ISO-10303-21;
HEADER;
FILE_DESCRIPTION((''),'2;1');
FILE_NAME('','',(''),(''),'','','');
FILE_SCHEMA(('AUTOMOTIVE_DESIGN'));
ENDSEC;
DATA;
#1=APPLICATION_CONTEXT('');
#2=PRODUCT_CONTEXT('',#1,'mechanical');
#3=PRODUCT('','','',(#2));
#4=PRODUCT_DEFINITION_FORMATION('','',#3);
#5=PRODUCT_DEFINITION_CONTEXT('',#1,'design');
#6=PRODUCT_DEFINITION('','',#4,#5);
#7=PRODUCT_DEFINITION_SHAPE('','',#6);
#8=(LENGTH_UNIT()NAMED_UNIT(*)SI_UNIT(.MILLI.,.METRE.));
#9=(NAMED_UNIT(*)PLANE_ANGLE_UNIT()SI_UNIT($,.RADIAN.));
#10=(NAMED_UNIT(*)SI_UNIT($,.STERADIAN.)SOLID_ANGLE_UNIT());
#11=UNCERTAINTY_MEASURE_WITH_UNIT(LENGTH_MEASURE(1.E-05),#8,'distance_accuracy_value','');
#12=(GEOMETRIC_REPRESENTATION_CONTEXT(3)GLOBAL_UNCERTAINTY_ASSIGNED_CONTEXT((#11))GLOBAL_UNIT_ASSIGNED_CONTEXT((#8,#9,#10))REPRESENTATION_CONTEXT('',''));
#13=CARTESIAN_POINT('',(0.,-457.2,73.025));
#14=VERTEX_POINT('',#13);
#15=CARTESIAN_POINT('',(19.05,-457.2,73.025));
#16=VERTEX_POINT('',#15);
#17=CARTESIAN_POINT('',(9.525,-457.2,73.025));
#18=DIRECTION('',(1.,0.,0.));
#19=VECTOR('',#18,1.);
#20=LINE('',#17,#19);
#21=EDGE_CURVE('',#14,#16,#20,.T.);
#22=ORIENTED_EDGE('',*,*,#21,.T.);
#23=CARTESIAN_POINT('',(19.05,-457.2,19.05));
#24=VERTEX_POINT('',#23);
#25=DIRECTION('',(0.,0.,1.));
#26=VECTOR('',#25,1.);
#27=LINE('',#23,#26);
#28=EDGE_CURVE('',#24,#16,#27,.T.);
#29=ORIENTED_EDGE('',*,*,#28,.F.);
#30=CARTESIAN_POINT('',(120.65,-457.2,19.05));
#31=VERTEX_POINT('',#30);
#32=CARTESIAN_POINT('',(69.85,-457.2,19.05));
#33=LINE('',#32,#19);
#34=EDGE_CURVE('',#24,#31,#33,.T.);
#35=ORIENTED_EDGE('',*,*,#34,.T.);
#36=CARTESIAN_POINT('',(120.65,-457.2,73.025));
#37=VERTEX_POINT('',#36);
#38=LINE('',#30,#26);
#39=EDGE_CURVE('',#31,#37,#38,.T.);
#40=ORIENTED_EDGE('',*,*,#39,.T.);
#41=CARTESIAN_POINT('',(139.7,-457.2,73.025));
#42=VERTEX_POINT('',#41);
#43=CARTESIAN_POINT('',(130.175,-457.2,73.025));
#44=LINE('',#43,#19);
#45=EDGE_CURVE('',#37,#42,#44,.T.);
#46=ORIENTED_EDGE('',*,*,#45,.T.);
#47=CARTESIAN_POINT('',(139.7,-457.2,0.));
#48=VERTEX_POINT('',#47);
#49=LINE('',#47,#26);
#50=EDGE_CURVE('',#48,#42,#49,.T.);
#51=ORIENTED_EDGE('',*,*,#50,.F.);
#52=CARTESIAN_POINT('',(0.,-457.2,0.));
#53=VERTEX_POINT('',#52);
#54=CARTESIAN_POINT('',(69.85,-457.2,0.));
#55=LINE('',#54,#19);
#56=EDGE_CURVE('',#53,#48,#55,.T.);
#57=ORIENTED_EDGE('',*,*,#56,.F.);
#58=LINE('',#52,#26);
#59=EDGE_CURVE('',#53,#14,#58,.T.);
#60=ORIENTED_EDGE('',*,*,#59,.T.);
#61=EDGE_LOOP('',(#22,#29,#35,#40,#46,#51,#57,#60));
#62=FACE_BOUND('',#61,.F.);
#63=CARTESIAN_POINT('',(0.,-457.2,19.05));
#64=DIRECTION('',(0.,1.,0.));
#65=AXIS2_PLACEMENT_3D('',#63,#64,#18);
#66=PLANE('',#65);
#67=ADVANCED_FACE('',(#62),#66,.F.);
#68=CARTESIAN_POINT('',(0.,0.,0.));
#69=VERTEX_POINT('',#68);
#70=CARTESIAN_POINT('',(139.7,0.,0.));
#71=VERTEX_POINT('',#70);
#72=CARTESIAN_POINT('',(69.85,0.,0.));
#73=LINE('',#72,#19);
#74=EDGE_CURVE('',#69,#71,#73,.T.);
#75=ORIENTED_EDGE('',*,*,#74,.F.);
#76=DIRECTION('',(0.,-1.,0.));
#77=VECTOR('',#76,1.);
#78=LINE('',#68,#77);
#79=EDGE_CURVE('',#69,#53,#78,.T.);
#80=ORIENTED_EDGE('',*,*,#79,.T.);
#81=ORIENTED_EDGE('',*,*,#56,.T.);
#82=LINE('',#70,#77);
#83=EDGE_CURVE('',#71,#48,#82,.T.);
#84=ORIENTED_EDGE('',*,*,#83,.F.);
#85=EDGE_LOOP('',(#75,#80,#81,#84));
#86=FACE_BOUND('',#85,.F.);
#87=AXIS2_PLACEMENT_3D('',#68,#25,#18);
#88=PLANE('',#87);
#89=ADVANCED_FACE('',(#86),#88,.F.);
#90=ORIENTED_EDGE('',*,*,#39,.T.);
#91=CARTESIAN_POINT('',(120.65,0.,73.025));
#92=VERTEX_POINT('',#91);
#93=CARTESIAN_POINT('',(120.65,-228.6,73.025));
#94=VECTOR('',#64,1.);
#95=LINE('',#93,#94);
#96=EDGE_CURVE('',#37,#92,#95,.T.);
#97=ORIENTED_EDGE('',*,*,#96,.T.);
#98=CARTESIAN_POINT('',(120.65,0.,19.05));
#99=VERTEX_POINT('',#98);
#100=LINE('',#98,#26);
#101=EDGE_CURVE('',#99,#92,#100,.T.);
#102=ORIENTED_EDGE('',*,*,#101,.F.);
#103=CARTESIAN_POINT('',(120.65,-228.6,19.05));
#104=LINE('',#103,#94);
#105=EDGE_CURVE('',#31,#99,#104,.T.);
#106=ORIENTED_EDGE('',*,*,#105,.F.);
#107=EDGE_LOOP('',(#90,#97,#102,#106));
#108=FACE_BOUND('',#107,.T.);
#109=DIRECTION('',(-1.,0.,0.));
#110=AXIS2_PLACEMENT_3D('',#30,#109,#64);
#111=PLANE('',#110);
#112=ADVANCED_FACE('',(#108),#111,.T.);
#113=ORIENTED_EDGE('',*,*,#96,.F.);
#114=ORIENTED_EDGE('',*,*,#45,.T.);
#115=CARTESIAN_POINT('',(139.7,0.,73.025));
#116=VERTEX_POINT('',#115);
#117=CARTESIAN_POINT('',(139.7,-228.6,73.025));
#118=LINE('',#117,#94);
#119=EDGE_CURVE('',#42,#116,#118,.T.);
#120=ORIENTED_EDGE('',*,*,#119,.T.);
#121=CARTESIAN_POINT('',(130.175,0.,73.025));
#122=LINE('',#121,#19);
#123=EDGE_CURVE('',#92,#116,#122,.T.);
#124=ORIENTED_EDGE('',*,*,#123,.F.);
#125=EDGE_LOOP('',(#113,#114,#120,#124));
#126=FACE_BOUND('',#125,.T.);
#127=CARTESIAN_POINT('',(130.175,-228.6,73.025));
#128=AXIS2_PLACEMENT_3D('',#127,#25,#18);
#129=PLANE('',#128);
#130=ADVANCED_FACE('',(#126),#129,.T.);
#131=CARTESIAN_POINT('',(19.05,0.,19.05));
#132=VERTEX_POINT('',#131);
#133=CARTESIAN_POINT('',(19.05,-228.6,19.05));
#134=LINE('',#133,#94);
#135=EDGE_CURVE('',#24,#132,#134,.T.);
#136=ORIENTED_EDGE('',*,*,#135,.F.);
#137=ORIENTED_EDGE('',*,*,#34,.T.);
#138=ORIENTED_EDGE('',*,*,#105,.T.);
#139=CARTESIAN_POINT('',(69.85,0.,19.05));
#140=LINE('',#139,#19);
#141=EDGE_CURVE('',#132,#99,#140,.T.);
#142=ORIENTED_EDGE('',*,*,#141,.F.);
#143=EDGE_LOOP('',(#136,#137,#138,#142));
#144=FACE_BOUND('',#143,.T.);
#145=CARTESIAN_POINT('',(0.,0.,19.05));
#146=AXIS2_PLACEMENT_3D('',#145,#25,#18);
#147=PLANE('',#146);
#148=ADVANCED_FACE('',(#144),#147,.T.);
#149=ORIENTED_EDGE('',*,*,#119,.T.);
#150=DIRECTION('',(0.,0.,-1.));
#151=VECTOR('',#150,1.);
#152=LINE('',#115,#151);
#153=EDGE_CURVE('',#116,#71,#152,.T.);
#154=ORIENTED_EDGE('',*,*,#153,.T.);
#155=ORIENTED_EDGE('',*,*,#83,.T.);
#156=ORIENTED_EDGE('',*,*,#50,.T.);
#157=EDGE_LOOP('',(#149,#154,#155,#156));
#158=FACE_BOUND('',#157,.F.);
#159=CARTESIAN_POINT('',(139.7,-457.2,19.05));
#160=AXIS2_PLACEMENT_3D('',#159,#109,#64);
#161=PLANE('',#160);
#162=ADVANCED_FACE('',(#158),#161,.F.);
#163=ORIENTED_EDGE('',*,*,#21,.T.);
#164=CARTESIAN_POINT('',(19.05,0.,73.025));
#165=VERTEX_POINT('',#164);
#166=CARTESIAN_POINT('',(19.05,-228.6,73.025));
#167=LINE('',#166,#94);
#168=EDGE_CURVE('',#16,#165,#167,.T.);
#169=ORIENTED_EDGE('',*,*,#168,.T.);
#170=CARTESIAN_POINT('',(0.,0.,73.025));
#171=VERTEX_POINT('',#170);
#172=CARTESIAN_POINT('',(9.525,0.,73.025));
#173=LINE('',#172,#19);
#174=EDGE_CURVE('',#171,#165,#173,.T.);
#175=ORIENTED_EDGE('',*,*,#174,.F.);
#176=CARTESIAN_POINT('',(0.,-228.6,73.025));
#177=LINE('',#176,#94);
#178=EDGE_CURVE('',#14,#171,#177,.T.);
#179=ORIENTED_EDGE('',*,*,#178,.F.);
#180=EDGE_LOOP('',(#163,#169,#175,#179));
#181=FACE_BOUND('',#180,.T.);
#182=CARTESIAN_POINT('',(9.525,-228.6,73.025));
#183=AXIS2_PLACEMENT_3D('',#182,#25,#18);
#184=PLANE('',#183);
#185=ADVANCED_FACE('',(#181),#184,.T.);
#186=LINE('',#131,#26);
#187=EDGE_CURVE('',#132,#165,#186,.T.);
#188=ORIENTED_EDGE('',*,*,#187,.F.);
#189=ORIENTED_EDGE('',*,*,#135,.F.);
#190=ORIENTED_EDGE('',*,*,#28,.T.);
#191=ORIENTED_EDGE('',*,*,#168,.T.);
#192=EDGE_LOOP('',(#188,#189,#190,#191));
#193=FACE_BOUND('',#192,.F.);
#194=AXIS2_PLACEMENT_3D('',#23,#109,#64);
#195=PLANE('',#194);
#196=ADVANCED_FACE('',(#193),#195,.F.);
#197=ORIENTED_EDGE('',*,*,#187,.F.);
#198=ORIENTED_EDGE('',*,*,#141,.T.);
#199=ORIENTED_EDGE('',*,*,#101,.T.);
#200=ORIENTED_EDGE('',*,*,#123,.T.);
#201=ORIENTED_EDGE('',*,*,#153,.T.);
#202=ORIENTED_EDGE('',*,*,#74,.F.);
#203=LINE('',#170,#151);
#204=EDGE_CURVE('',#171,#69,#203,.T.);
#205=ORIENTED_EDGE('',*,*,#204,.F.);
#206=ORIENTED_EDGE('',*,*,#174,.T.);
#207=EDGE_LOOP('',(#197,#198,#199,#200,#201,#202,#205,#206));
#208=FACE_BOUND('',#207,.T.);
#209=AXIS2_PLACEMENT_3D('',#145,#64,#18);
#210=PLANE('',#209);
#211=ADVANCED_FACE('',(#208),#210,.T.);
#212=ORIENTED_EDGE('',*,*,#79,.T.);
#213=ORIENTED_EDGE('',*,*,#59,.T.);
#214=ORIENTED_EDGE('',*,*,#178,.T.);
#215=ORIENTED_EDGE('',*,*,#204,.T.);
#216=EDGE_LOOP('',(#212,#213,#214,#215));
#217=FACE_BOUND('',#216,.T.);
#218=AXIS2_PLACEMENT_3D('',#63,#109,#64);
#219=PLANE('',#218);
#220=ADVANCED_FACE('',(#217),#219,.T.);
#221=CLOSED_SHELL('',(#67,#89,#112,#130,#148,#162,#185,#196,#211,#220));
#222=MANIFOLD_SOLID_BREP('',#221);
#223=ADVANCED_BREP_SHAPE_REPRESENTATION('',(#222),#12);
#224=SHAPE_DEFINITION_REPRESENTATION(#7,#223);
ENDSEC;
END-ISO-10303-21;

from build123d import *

# Parameters (mm, degrees)
F0_W     = 139.7
F0_H     = 19.05
F1_DEPTH = 457.2
F2_W     = 19.05
F2_H     = 457.2
F3_DEPTH = 53.975
F4_W     = 19.05
F4_H     = 457.2
F5_DEPTH = 53.975


with BuildPart() as f1:
    # F0 (on Front) → F1 (new body)
    with BuildSketch(Plane.XZ):
        with Locations((69.85, 9.525)):
            Rectangle(F0_W, F0_H)
    extrude(amount=F1_DEPTH)

    # F2 (on face) → F3 (join)
    with BuildSketch(Plane.XY.offset(19.05)):
        with Locations((130.175, -228.6)):
            Rectangle(F2_W, F2_H)
    extrude(amount=F3_DEPTH)

    # F4 (on face) → F5 (join)
    with BuildSketch(Plane.XY.offset(19.05)):
        with Locations((9.525, -228.6)):
            Rectangle(F4_W, F4_H)
    extrude(amount=F5_DEPTH)


solid = f1.part
